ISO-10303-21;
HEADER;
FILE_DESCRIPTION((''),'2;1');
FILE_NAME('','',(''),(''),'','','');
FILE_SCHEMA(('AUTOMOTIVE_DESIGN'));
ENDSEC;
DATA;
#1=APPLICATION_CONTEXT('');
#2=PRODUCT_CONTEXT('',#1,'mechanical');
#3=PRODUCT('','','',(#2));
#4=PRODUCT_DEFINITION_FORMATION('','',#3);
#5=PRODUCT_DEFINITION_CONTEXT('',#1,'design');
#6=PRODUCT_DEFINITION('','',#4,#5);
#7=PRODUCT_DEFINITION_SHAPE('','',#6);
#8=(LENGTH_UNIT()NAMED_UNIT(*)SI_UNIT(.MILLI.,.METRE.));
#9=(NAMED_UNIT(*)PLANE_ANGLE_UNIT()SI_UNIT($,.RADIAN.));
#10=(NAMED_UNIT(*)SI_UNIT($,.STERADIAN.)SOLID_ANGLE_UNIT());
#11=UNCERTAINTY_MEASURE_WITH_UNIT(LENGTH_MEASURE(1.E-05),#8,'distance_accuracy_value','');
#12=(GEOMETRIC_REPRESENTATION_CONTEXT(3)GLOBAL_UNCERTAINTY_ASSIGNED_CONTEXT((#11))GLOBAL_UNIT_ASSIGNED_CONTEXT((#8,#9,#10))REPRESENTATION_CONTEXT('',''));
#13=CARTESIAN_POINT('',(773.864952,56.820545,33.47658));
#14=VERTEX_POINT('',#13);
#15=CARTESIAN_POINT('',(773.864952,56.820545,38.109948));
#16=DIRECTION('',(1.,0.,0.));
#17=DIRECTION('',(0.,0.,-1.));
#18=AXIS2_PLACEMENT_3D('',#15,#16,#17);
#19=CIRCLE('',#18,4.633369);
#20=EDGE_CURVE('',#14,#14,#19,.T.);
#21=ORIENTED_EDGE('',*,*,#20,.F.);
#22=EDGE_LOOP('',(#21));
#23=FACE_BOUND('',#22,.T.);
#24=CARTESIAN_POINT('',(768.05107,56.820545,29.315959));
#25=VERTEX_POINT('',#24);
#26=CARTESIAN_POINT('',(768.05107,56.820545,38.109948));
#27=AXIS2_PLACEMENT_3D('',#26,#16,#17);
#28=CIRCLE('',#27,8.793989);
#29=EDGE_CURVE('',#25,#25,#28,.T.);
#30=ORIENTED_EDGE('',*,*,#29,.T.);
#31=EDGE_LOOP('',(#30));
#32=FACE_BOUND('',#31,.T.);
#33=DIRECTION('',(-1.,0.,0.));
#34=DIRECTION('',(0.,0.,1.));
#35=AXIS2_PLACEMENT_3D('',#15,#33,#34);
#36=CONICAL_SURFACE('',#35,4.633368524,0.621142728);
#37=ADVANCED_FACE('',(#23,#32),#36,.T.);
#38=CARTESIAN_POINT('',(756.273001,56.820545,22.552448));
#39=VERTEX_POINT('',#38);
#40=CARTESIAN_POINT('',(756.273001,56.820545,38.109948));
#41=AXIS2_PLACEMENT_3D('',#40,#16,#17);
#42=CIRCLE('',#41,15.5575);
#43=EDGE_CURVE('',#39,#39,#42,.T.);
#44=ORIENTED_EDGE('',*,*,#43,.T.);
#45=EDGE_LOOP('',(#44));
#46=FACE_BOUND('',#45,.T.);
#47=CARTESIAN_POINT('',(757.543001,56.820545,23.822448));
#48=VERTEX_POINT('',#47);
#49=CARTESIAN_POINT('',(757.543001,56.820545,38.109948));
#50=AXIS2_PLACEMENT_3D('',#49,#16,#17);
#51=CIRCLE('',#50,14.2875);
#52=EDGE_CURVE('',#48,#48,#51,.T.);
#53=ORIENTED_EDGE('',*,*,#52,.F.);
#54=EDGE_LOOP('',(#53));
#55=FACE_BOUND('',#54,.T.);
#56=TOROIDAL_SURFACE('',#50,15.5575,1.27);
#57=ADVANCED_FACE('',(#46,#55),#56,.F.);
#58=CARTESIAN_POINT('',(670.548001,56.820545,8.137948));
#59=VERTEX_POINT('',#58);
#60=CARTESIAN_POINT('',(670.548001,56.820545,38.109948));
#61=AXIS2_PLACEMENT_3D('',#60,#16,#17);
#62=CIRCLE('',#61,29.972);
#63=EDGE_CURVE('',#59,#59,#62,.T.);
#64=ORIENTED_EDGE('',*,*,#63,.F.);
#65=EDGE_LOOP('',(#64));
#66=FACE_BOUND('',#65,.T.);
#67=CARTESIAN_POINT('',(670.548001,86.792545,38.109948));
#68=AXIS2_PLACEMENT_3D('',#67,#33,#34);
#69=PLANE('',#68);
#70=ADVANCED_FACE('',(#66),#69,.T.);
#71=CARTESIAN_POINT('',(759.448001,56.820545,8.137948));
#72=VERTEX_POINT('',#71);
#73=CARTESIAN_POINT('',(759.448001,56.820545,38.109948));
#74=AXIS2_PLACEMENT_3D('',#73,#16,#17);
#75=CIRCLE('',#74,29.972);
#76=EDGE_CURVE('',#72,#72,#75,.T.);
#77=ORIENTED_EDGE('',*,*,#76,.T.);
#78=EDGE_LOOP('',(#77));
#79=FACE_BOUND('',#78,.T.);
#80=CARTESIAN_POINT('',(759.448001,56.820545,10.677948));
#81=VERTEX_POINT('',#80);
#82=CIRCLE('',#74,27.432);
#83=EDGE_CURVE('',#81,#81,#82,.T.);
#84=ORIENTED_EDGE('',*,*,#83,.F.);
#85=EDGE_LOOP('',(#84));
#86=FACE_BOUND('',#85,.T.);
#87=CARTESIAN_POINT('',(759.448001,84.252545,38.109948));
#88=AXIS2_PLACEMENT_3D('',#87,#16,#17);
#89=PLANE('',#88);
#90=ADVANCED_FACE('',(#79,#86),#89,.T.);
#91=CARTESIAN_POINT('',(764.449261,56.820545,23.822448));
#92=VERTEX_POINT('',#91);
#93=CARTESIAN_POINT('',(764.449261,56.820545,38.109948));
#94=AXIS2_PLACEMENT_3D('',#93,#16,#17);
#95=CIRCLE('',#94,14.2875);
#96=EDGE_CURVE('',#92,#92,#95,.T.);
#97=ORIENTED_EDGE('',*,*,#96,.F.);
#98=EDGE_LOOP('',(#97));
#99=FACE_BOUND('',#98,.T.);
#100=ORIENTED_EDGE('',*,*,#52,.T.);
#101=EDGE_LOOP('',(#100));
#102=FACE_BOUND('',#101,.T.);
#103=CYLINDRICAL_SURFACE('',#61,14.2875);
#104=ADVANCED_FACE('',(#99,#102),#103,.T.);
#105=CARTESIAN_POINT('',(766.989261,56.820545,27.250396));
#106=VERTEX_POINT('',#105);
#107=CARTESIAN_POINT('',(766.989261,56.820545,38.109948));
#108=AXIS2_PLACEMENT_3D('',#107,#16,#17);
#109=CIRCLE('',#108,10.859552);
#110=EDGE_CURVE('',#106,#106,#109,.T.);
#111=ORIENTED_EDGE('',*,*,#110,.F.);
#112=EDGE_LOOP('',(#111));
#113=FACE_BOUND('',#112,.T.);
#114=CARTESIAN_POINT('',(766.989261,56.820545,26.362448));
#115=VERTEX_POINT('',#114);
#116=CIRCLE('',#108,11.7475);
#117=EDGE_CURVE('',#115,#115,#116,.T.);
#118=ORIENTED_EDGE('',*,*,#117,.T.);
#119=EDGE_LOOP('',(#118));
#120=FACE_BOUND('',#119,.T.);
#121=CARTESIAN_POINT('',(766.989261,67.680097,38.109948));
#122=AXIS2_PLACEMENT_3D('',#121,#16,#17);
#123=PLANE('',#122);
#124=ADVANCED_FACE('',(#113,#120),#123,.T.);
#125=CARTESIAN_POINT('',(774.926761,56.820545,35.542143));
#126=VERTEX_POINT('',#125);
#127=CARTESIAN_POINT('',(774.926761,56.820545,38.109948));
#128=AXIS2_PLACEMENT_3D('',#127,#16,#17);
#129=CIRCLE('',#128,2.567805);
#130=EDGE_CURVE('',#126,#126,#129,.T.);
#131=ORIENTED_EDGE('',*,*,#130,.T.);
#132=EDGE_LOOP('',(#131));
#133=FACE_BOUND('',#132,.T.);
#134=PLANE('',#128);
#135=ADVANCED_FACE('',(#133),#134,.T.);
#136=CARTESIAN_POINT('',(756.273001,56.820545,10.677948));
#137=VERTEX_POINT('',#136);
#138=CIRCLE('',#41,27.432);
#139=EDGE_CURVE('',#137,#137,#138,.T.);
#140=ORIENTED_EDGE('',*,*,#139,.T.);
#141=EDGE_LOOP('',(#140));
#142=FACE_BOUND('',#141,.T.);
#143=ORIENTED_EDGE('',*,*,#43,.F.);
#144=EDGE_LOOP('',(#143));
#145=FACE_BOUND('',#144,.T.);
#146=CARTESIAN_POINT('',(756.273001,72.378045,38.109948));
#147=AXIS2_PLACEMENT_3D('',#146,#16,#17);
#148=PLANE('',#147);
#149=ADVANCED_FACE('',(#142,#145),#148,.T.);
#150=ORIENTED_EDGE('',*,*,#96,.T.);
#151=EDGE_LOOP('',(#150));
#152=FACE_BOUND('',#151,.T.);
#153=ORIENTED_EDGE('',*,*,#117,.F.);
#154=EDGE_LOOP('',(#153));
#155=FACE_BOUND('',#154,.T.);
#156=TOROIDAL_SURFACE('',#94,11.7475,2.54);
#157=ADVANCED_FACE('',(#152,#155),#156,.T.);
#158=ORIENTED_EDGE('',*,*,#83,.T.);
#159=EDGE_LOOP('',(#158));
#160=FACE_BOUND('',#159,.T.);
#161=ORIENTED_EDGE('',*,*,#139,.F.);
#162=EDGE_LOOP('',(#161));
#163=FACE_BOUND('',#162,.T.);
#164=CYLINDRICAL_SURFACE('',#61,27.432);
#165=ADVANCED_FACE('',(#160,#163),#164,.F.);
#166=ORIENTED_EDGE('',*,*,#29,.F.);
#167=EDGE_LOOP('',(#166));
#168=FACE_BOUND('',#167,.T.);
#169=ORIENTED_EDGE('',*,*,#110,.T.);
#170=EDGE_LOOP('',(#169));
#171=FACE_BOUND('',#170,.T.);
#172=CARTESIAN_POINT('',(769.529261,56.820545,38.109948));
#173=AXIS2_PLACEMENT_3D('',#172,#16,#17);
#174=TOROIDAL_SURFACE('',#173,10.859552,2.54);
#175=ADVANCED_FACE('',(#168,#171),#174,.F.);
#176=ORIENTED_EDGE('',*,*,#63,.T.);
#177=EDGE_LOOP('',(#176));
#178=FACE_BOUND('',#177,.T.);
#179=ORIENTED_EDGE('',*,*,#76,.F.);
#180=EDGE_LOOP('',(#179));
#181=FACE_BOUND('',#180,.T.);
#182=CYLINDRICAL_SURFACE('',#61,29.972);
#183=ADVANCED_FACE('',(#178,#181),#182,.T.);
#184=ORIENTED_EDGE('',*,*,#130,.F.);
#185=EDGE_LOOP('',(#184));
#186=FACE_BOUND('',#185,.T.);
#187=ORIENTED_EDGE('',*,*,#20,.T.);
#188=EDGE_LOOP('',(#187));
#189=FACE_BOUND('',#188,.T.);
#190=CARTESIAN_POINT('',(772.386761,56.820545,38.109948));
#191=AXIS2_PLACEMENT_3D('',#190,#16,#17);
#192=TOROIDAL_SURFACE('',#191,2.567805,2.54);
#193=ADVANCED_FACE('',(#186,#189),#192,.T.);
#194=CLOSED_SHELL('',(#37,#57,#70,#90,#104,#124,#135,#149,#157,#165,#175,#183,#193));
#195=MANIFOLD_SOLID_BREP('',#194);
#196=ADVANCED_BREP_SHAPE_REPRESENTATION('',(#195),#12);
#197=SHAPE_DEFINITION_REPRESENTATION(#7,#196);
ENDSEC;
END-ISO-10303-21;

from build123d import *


with BuildPart() as part:
    # Sketch1 → Revolve1 (revolve)
    with BuildSketch(Plane.XY.offset(38.109948098), mode=Mode.PRIVATE) as revolve1_sk:
        with BuildLine():
            Line((670.54800115, 86.792545046), (670.54800115, 56.820545046))
            Line((670.54800115, 56.820545046), (774.926761151, 56.820545046))
            Line((774.926761151, 56.820545046), (774.926761151, 59.38835011))
            ThreePointArc((774.926761151, 59.38835011), (774.645765826, 60.549598522), (773.8649518, 61.453913569))
            Line((773.8649518, 61.453913569), (768.0510705, 65.614533734))
            ThreePointArc((768.0510705, 65.614533734), (767.270256474, 66.518848781), (766.98926115, 67.680097193))
            Line((766.98926115, 67.680097193), (766.98926115, 68.568045046))
            ThreePointArc((766.98926115, 68.568045046), (766.245312374, 70.36409627), (764.44926115, 71.108045046))
            Line((764.44926115, 71.108045046), (757.54300115, 71.108045046))
            ThreePointArc((757.54300115, 71.108045046), (756.644975538, 71.480019434), (756.27300115, 72.378045046))
            Line((756.27300115, 72.378045046), (756.27300115, 84.252545046))
            Line((756.27300115, 84.252545046), (759.44800115, 84.252545046))
            Line((759.44800115, 84.252545046), (759.44800115, 86.792545046))
            Line((759.44800115, 86.792545046), (670.54800115, 86.792545046))
        make_face()
    revolve(revolve1_sk.sketch.rotate(Axis((670.54800115, 56.820545046, 38.109948098), (1, 0, 0)), 270), axis=Axis((670.54800115, 56.820545046, 38.109948098), (1, 0, 0)))


solid = part.part
